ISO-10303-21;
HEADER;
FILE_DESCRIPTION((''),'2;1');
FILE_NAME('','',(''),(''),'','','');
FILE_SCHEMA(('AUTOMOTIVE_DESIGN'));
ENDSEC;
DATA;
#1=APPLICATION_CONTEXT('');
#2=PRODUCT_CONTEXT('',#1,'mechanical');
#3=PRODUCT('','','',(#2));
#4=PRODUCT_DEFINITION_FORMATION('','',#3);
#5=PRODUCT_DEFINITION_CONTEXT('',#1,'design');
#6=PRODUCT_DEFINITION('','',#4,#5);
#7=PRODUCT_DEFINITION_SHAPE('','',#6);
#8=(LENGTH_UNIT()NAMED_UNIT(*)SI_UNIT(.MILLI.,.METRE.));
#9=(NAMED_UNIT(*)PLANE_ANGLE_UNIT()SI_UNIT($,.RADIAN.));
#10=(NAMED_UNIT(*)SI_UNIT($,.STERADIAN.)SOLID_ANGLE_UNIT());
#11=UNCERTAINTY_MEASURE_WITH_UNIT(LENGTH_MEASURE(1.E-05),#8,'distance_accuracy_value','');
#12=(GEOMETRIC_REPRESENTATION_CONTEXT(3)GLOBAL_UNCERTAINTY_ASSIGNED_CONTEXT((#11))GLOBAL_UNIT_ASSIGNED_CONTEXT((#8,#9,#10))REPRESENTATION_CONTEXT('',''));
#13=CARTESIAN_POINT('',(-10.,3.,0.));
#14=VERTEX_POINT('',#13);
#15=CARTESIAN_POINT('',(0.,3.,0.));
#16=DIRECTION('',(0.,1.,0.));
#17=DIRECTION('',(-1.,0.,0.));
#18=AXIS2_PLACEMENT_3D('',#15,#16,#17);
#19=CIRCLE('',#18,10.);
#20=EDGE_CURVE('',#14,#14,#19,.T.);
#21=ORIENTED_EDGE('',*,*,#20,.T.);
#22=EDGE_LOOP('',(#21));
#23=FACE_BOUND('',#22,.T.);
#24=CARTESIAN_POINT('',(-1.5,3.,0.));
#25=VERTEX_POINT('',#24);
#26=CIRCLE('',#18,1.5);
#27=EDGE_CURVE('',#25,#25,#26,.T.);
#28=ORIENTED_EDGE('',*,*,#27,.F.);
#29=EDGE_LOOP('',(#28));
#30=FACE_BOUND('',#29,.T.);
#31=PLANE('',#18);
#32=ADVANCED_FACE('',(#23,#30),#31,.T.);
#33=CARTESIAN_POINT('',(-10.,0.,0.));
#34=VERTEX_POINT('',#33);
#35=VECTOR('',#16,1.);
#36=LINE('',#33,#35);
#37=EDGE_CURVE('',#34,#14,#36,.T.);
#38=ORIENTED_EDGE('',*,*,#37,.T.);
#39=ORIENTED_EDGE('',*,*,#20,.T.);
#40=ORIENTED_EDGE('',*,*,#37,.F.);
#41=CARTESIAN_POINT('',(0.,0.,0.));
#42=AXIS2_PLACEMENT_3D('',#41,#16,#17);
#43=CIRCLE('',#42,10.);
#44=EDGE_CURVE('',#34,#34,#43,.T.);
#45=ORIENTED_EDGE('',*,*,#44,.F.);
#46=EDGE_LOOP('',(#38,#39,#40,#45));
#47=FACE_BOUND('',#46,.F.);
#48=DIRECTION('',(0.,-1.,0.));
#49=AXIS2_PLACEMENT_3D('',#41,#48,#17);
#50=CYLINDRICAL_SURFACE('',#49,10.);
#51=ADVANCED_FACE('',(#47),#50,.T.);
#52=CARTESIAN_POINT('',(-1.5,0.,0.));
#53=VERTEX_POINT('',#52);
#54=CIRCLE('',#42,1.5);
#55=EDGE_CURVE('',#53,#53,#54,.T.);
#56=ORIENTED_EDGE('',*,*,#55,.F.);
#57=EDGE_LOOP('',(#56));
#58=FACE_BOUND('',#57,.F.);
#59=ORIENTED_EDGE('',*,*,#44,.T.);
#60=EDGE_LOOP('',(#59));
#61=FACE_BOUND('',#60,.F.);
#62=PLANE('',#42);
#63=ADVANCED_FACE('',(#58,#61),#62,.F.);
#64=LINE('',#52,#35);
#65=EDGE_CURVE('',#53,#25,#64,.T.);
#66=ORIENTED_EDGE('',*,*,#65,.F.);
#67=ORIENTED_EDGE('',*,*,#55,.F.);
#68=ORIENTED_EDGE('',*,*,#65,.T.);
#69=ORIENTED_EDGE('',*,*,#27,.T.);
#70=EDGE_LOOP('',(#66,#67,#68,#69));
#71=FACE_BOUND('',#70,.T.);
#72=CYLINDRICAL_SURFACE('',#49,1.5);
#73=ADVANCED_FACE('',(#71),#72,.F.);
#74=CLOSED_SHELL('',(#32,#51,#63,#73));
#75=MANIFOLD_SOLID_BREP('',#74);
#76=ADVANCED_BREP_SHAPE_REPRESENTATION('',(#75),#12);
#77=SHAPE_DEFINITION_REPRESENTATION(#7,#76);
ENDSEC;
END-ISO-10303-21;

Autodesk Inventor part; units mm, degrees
ref_plane "YZ Plane" through (0, 0, 0) normal (1, 0, 0) x (0, 1, 0)
ref_plane "XZ Plane" through (0, 0, 0) normal (0, 1, 0) x (-1, 0, 0)
ref_plane "XY Plane" through (0, 0, 0) normal (0, 0, 1) x (1, 0, 0)
sketch "Sketch1" plane through (0, 0, 0) normal (0, 1, 0) x (-1, 0, 0)
  circle A0 centre (0, 0) radius 10
  circle A1 centre (0, 0) radius 1.5
  dimension "d0" = 20
  dimension "d1" = 3
extrude "Extrusion1" add sketch "Sketch1" along normal blind 3
properties part number "Sujetador" material "Steel, Mild, Welded"
